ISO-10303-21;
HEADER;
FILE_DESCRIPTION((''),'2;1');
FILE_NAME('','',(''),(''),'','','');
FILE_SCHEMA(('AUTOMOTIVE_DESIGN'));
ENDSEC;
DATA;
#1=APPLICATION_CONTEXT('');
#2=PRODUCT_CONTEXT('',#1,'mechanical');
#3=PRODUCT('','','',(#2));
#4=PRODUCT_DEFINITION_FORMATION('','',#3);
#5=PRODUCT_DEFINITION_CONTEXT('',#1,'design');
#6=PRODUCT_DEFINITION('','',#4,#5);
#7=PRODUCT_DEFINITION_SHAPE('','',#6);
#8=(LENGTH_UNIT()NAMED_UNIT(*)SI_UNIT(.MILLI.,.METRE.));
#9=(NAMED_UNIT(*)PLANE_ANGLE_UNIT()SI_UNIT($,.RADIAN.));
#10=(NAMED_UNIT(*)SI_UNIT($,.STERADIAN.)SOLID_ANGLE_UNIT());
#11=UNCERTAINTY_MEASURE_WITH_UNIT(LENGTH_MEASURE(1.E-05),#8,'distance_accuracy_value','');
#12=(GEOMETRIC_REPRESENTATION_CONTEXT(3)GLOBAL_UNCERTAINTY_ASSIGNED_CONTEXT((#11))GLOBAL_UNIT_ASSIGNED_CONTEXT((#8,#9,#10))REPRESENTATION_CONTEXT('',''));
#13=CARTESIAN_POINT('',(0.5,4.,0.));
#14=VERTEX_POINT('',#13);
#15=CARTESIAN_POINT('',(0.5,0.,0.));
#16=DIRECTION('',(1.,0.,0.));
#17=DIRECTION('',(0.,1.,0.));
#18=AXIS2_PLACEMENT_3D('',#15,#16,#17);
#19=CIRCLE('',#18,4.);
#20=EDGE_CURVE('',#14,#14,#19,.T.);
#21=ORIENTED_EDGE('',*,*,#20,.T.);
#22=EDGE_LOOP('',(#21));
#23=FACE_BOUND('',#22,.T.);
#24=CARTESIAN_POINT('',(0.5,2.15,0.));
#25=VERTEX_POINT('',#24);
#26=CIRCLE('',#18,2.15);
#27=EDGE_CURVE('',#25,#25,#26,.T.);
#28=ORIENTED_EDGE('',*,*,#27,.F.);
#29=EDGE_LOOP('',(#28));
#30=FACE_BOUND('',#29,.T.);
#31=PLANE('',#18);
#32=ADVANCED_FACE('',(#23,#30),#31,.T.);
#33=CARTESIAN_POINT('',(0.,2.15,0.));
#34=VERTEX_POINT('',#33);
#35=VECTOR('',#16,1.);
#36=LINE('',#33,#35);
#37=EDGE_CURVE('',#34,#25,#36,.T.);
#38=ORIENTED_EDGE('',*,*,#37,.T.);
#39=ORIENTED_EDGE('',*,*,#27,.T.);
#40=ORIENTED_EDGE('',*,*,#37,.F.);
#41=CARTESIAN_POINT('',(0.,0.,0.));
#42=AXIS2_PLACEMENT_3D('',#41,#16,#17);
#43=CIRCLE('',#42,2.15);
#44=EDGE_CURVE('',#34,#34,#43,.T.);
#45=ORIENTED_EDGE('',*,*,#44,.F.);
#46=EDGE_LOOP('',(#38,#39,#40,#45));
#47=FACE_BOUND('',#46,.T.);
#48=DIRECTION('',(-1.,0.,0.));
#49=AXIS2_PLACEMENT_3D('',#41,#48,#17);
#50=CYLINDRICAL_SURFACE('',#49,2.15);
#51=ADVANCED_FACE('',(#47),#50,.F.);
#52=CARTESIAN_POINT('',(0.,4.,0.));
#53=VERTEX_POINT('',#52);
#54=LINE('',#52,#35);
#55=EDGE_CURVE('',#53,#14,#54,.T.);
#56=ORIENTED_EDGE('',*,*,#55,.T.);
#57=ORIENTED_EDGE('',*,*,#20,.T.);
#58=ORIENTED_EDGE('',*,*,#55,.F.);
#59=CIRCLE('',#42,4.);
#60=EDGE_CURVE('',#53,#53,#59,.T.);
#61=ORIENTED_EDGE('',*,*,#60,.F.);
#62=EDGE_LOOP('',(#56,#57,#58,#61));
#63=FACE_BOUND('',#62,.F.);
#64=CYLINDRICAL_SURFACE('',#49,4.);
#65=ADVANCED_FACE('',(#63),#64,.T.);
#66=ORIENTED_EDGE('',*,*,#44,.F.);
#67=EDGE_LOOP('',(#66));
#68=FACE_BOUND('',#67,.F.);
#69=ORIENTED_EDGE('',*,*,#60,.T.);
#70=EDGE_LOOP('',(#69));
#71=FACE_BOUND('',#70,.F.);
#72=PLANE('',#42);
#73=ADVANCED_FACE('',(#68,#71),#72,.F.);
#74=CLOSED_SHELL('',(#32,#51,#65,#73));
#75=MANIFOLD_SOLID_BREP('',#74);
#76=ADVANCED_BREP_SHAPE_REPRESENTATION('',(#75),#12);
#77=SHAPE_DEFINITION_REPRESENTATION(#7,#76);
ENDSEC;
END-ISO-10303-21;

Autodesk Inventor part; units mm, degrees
ref_plane "YZ Plane" through (0, 0, 0) normal (1, 0, 0) x (0, 1, 0)
ref_plane "XZ Plane" through (0, 0, 0) normal (0, 1, 0) x (-1, 0, 0)
sketch "Skizze" plane through (0, 0, 0) normal (1, 0, 0) x (0, 1, 0)
  circle A0 centre (0, 0) radius 4
  circle A1 centre (0, 0) radius 2.15
  dimension "d0" = 4.3
  dimension "d1" = 8
extrude "Körper" add sketch "Skizze" along normal blind 0.5
ref_plane "Work Plane1" through (0, 0, 0) normal (0, 0, 1) x (1, 0, 0)
equation "\"d0\" = SD1"
equation "\"d1\" = SD2"
equation "\"d2\" = SD"
equation "\"SD1\" = 4.3"
equation "\"SD2\" = 8"
equation "\"SD\" = 0.5"
equation "\"NND\" = 4"
properties part number "DIN 433 - 4,3" material "Stahl, weich"
